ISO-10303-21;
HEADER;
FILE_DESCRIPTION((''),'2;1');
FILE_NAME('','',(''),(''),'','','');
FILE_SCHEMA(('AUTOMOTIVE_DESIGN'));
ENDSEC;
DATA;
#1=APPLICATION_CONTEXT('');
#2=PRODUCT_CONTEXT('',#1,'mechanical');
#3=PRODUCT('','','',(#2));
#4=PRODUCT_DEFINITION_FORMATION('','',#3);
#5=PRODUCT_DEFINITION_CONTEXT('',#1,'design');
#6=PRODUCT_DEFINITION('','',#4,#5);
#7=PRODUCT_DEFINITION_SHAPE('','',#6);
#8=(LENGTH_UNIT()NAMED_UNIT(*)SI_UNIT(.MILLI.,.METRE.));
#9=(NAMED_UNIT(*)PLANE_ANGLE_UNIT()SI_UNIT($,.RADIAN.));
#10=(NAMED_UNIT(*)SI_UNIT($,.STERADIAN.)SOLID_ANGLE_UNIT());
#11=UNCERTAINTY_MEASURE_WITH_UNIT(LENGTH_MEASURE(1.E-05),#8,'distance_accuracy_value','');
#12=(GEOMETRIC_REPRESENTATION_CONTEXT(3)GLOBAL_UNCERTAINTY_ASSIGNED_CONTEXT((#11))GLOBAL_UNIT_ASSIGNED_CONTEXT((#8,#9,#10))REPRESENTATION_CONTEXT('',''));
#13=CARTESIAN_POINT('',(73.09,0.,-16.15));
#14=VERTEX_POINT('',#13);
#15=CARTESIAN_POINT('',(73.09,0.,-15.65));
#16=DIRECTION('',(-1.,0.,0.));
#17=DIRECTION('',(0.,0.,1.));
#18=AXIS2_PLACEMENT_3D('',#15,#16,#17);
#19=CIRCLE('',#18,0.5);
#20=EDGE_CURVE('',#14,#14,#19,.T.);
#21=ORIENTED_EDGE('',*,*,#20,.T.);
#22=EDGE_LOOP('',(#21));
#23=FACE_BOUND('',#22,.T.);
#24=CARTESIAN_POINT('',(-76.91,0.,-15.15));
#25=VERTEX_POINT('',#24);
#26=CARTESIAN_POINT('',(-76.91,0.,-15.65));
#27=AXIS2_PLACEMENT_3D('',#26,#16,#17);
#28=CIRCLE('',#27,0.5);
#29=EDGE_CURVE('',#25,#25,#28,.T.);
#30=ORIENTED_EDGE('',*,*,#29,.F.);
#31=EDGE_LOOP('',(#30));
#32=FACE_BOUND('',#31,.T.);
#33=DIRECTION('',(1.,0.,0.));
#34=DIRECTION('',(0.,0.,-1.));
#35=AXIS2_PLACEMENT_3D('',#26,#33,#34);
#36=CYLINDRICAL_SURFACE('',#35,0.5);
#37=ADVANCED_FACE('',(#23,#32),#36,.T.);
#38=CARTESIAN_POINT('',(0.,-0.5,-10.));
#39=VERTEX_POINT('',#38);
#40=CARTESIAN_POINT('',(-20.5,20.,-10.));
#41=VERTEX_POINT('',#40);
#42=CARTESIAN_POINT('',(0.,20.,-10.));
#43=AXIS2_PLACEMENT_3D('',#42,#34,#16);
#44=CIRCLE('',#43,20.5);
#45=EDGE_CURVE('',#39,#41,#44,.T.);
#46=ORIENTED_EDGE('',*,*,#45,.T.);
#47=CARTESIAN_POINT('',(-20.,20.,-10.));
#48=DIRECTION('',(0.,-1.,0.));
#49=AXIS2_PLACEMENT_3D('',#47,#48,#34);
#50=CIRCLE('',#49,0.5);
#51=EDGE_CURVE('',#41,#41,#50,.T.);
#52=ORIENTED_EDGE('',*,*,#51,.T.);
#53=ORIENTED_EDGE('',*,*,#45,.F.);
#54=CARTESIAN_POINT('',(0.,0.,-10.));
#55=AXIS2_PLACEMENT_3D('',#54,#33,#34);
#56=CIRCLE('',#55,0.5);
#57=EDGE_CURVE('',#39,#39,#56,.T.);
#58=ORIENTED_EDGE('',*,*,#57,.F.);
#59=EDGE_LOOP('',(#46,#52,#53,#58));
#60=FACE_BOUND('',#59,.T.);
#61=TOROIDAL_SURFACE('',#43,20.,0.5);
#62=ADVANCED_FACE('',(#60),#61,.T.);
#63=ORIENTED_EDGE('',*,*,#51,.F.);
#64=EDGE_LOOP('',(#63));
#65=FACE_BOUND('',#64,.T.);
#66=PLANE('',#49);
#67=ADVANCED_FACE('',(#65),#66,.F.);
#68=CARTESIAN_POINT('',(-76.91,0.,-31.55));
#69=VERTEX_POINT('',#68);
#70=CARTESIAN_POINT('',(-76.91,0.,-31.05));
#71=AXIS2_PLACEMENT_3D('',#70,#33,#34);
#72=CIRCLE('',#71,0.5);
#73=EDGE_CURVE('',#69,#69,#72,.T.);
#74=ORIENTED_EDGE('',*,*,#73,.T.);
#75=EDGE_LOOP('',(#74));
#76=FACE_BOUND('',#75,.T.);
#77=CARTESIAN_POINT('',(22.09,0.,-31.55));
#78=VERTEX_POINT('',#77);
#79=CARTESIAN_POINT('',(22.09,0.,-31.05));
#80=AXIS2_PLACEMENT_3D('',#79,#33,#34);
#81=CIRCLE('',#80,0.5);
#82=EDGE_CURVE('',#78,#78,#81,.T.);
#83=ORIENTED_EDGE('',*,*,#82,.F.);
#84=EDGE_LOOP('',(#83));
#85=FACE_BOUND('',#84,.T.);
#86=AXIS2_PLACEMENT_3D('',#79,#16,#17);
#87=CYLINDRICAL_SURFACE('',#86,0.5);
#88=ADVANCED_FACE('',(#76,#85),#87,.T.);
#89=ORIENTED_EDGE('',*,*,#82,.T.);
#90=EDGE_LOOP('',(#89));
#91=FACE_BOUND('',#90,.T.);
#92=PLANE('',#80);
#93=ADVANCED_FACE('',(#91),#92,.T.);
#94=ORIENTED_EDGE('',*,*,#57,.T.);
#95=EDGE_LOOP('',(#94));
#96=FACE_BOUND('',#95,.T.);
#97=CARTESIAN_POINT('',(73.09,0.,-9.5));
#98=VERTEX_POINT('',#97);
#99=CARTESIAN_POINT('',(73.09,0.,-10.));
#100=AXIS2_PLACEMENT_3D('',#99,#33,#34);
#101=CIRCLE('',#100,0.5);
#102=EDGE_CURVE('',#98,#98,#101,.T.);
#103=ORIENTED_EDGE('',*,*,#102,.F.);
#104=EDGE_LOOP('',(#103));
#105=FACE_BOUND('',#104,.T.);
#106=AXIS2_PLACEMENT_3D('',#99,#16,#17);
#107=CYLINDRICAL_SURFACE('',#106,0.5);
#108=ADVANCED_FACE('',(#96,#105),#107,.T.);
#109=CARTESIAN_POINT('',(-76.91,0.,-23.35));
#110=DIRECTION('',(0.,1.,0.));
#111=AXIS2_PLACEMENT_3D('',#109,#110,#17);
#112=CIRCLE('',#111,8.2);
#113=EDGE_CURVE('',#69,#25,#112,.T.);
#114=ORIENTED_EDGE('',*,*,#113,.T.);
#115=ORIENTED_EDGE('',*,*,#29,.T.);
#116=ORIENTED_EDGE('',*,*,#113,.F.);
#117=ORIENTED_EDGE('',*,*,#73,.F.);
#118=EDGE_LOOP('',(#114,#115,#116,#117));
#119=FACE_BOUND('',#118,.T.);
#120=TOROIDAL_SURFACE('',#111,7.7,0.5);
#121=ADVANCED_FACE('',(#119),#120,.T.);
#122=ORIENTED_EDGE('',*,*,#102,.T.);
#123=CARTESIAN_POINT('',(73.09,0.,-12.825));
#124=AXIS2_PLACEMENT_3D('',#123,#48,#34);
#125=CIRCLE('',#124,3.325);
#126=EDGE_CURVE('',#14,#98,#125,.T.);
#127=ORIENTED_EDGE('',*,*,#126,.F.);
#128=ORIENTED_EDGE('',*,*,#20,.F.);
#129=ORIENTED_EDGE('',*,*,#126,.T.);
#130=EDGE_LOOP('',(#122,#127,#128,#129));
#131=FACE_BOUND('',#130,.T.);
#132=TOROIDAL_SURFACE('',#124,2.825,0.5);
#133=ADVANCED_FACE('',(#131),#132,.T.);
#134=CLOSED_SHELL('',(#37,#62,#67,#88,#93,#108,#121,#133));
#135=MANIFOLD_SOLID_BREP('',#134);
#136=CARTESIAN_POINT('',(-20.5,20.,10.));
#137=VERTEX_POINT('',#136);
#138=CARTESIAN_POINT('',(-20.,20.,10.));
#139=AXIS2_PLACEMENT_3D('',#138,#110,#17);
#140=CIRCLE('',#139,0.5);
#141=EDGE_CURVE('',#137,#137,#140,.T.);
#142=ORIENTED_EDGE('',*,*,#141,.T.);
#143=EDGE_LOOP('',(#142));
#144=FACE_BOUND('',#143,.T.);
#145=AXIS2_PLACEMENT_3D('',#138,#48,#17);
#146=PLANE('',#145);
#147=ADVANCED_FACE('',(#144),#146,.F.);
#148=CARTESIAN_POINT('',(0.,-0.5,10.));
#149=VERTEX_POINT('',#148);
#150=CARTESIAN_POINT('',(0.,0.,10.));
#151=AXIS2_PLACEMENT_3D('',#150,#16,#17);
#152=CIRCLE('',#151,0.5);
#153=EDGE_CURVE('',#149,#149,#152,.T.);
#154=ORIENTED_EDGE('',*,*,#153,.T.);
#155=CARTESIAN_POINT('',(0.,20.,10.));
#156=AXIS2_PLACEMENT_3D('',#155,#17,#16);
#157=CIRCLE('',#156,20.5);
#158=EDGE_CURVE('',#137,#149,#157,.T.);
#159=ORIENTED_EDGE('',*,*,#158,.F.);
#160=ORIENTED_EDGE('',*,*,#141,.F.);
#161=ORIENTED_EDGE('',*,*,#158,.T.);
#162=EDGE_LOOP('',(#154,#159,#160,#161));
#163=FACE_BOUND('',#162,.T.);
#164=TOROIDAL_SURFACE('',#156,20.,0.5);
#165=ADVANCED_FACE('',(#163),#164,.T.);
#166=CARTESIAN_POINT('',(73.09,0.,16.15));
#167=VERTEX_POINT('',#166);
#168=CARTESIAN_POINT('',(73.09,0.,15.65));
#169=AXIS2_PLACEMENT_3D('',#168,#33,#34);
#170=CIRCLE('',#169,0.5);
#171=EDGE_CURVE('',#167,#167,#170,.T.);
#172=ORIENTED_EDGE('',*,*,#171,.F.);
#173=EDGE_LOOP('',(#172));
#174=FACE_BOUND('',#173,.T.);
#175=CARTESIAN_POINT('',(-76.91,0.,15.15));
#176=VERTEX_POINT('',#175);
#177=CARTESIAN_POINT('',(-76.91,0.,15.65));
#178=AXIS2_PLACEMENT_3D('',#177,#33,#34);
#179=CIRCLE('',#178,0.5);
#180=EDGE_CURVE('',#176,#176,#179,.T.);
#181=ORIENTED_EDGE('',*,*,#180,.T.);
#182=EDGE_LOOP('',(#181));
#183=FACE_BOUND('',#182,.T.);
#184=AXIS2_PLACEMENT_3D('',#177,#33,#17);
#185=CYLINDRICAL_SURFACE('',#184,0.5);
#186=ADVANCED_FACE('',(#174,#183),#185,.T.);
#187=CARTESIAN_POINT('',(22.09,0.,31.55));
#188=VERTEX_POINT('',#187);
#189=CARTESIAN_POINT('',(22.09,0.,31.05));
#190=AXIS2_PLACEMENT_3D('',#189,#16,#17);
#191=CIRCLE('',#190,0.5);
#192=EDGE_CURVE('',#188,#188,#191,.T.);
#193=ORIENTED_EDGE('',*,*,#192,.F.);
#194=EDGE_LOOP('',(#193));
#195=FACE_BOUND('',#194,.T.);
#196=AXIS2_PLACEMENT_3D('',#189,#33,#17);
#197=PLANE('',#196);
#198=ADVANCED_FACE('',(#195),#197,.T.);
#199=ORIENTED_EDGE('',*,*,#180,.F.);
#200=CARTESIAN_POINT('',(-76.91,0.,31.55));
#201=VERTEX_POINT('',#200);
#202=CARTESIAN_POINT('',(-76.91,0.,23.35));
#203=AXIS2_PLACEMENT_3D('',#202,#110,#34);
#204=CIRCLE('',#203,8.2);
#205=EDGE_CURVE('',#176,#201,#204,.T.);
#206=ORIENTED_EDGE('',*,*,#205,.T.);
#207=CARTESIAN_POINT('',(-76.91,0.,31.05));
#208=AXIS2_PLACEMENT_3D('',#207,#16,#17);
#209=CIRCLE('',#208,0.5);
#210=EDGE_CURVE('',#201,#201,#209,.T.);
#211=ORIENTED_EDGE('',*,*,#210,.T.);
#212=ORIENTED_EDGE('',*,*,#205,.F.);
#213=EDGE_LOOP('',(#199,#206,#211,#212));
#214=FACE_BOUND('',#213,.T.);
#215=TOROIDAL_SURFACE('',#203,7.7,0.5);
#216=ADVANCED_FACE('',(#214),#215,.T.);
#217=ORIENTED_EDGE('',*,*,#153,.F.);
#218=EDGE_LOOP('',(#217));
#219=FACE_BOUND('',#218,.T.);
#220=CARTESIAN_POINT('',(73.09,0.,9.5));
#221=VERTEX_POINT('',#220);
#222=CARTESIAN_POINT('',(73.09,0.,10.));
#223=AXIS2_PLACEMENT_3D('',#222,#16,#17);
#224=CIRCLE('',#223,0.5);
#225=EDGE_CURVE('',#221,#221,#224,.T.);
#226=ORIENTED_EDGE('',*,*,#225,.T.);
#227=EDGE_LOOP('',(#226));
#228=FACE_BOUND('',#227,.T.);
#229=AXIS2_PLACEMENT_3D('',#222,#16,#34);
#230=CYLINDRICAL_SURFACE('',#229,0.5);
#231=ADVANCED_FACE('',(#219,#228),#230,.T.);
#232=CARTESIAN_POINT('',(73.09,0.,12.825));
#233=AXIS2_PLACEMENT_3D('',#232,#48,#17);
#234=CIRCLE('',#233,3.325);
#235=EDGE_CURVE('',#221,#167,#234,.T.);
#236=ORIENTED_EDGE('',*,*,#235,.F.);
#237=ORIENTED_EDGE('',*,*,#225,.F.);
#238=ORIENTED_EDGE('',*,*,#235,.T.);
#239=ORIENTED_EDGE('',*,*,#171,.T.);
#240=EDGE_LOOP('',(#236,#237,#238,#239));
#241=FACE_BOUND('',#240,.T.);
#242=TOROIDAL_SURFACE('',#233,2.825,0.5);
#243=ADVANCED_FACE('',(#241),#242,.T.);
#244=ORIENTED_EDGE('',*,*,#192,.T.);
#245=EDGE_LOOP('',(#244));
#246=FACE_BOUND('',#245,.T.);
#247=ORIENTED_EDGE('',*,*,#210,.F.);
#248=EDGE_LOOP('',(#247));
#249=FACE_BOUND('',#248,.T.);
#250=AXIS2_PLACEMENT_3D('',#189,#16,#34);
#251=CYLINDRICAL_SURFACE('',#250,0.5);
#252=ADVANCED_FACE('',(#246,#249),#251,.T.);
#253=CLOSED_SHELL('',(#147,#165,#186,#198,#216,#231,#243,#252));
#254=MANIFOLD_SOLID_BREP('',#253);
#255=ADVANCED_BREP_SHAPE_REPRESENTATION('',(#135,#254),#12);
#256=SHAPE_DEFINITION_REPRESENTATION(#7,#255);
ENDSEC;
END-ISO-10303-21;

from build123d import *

# Parameters (mm, degrees)
SKETCH4_R = 0.5


with BuildPart() as part:
    # Sweep1: sweep along a curve in space
    with BuildLine() as sweep1_path:
        Line((22.09, 0, -31.05), (-76.91, 0, -31.05))
        ThreePointArc((-76.91, 0, -31.05), (-84.61, 0, -23.35), (-76.91, 0, -15.65))
        Line((-76.91, 0, -15.65), (73.09, 0, -15.65))
        ThreePointArc((73.09, 0, -15.65), (75.915, 0, -12.825), (73.09, 0, -10))
        Line((73.09, 0, -10), (0, 0, -10))
        ThreePointArc((0, 0, -10), (-14.142135624, 5.857864376, -10), (-20, 20, -10))
    # Sketch4 → Sweep1 (sweep)
    with BuildSketch(Plane(origin=(22.09, 0, 0), x_dir=(0, 0, -1), z_dir=(1, 0, 0))):
        with Locations((31.05, 0)):
            Circle(SKETCH4_R)
    sweep(path=sweep1_path.line)


with BuildPart() as body_2:
    # Mirror2: mirrored copy
    add(part.part.mirror(Plane.XY))


solid = Compound([part.part, body_2.part])
